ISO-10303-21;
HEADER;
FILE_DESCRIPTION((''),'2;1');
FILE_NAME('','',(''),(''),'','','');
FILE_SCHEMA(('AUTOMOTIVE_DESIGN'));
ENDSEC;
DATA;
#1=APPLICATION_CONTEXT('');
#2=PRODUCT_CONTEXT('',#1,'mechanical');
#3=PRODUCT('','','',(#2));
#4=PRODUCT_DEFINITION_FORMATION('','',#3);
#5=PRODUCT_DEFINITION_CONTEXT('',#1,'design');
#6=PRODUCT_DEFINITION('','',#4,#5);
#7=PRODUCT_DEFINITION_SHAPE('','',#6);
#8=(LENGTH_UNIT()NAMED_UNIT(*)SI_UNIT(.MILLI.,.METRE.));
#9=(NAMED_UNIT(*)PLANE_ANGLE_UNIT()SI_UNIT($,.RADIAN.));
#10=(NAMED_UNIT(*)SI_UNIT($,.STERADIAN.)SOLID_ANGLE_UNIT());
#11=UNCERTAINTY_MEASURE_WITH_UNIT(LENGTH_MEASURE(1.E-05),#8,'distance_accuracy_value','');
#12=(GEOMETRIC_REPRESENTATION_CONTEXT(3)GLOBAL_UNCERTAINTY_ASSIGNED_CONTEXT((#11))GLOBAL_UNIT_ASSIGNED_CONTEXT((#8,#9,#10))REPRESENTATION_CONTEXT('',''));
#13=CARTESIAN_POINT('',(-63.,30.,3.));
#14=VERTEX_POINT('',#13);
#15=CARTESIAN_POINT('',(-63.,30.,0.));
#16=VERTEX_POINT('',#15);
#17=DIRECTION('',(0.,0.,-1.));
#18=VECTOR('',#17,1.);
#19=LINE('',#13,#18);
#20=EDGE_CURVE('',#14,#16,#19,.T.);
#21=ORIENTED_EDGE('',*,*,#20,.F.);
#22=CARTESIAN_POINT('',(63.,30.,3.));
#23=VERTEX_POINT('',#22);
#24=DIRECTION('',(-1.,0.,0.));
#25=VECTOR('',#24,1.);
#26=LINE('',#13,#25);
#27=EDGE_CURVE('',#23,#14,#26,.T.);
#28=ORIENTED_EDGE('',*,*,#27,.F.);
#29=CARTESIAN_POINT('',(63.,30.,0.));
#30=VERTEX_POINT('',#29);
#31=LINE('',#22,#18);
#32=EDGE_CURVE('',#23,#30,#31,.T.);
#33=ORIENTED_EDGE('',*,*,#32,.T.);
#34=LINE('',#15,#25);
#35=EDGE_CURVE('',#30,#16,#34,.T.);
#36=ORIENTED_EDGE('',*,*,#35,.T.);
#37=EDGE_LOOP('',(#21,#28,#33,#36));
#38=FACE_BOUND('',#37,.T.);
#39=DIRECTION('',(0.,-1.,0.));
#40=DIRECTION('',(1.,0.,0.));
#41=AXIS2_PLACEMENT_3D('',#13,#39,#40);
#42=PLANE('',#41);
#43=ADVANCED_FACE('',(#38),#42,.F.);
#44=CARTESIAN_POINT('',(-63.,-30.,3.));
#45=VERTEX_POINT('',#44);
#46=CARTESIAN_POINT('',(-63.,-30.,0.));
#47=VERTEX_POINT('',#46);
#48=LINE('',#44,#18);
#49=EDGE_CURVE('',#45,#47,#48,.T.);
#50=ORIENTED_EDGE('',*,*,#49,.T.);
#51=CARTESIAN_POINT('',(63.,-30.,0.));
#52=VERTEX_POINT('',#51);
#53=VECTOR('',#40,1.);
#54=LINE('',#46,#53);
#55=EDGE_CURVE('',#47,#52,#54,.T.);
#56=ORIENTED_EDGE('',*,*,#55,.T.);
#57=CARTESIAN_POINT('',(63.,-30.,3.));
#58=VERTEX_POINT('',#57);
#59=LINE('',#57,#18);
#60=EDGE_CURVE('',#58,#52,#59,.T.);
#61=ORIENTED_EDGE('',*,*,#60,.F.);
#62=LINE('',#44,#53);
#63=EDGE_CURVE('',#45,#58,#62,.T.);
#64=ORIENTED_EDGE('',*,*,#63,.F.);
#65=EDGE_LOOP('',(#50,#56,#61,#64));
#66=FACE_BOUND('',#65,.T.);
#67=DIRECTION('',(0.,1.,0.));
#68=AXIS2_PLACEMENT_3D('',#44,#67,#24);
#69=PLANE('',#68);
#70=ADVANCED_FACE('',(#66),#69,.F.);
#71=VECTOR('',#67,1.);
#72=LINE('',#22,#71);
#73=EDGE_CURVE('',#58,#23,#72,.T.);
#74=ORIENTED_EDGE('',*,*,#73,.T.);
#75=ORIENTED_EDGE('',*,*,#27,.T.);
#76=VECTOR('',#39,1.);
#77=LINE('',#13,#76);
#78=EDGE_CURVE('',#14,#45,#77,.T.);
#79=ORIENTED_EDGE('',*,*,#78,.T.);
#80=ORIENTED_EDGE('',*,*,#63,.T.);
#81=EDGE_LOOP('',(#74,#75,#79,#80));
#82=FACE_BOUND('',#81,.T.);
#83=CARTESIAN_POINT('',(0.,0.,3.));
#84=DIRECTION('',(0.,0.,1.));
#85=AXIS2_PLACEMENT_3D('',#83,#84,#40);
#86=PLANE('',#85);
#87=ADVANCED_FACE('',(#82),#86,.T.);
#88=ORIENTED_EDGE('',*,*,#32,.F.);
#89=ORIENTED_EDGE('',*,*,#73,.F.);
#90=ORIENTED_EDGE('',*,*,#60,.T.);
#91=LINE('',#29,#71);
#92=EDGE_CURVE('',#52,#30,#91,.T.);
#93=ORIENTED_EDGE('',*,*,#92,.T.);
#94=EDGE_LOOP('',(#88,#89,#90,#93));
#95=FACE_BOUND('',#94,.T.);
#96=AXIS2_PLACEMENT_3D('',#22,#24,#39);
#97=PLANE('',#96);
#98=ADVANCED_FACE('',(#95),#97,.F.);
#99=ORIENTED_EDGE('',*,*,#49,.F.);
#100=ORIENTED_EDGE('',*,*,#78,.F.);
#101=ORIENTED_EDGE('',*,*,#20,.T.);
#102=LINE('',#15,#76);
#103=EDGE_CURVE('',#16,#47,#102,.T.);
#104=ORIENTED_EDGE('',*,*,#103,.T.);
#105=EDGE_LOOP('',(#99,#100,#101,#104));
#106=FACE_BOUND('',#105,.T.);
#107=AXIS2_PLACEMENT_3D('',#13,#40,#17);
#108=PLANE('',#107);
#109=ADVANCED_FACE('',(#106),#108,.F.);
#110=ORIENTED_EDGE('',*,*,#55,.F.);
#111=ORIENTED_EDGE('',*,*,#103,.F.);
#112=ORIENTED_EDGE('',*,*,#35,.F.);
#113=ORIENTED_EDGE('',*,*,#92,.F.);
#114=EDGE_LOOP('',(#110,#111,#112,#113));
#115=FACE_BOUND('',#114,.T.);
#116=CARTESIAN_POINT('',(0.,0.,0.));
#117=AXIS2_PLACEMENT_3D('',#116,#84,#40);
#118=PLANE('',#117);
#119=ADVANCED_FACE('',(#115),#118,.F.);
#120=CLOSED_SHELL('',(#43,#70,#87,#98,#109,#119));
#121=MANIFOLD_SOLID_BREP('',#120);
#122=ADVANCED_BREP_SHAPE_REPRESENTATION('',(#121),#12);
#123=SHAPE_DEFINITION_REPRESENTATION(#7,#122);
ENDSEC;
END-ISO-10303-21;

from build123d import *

# Parameters (mm, degrees)
SKETCH_1_W      = 126
SKETCH_1_H      = 60
EXTRUDE_1_DEPTH = 3


with BuildPart() as part:
    # 草图1 → 凸台-拉伸1 (new body)
    with BuildSketch(Plane.XY):
        Rectangle(SKETCH_1_W, SKETCH_1_H)
    extrude(amount=EXTRUDE_1_DEPTH)


solid = part.part
